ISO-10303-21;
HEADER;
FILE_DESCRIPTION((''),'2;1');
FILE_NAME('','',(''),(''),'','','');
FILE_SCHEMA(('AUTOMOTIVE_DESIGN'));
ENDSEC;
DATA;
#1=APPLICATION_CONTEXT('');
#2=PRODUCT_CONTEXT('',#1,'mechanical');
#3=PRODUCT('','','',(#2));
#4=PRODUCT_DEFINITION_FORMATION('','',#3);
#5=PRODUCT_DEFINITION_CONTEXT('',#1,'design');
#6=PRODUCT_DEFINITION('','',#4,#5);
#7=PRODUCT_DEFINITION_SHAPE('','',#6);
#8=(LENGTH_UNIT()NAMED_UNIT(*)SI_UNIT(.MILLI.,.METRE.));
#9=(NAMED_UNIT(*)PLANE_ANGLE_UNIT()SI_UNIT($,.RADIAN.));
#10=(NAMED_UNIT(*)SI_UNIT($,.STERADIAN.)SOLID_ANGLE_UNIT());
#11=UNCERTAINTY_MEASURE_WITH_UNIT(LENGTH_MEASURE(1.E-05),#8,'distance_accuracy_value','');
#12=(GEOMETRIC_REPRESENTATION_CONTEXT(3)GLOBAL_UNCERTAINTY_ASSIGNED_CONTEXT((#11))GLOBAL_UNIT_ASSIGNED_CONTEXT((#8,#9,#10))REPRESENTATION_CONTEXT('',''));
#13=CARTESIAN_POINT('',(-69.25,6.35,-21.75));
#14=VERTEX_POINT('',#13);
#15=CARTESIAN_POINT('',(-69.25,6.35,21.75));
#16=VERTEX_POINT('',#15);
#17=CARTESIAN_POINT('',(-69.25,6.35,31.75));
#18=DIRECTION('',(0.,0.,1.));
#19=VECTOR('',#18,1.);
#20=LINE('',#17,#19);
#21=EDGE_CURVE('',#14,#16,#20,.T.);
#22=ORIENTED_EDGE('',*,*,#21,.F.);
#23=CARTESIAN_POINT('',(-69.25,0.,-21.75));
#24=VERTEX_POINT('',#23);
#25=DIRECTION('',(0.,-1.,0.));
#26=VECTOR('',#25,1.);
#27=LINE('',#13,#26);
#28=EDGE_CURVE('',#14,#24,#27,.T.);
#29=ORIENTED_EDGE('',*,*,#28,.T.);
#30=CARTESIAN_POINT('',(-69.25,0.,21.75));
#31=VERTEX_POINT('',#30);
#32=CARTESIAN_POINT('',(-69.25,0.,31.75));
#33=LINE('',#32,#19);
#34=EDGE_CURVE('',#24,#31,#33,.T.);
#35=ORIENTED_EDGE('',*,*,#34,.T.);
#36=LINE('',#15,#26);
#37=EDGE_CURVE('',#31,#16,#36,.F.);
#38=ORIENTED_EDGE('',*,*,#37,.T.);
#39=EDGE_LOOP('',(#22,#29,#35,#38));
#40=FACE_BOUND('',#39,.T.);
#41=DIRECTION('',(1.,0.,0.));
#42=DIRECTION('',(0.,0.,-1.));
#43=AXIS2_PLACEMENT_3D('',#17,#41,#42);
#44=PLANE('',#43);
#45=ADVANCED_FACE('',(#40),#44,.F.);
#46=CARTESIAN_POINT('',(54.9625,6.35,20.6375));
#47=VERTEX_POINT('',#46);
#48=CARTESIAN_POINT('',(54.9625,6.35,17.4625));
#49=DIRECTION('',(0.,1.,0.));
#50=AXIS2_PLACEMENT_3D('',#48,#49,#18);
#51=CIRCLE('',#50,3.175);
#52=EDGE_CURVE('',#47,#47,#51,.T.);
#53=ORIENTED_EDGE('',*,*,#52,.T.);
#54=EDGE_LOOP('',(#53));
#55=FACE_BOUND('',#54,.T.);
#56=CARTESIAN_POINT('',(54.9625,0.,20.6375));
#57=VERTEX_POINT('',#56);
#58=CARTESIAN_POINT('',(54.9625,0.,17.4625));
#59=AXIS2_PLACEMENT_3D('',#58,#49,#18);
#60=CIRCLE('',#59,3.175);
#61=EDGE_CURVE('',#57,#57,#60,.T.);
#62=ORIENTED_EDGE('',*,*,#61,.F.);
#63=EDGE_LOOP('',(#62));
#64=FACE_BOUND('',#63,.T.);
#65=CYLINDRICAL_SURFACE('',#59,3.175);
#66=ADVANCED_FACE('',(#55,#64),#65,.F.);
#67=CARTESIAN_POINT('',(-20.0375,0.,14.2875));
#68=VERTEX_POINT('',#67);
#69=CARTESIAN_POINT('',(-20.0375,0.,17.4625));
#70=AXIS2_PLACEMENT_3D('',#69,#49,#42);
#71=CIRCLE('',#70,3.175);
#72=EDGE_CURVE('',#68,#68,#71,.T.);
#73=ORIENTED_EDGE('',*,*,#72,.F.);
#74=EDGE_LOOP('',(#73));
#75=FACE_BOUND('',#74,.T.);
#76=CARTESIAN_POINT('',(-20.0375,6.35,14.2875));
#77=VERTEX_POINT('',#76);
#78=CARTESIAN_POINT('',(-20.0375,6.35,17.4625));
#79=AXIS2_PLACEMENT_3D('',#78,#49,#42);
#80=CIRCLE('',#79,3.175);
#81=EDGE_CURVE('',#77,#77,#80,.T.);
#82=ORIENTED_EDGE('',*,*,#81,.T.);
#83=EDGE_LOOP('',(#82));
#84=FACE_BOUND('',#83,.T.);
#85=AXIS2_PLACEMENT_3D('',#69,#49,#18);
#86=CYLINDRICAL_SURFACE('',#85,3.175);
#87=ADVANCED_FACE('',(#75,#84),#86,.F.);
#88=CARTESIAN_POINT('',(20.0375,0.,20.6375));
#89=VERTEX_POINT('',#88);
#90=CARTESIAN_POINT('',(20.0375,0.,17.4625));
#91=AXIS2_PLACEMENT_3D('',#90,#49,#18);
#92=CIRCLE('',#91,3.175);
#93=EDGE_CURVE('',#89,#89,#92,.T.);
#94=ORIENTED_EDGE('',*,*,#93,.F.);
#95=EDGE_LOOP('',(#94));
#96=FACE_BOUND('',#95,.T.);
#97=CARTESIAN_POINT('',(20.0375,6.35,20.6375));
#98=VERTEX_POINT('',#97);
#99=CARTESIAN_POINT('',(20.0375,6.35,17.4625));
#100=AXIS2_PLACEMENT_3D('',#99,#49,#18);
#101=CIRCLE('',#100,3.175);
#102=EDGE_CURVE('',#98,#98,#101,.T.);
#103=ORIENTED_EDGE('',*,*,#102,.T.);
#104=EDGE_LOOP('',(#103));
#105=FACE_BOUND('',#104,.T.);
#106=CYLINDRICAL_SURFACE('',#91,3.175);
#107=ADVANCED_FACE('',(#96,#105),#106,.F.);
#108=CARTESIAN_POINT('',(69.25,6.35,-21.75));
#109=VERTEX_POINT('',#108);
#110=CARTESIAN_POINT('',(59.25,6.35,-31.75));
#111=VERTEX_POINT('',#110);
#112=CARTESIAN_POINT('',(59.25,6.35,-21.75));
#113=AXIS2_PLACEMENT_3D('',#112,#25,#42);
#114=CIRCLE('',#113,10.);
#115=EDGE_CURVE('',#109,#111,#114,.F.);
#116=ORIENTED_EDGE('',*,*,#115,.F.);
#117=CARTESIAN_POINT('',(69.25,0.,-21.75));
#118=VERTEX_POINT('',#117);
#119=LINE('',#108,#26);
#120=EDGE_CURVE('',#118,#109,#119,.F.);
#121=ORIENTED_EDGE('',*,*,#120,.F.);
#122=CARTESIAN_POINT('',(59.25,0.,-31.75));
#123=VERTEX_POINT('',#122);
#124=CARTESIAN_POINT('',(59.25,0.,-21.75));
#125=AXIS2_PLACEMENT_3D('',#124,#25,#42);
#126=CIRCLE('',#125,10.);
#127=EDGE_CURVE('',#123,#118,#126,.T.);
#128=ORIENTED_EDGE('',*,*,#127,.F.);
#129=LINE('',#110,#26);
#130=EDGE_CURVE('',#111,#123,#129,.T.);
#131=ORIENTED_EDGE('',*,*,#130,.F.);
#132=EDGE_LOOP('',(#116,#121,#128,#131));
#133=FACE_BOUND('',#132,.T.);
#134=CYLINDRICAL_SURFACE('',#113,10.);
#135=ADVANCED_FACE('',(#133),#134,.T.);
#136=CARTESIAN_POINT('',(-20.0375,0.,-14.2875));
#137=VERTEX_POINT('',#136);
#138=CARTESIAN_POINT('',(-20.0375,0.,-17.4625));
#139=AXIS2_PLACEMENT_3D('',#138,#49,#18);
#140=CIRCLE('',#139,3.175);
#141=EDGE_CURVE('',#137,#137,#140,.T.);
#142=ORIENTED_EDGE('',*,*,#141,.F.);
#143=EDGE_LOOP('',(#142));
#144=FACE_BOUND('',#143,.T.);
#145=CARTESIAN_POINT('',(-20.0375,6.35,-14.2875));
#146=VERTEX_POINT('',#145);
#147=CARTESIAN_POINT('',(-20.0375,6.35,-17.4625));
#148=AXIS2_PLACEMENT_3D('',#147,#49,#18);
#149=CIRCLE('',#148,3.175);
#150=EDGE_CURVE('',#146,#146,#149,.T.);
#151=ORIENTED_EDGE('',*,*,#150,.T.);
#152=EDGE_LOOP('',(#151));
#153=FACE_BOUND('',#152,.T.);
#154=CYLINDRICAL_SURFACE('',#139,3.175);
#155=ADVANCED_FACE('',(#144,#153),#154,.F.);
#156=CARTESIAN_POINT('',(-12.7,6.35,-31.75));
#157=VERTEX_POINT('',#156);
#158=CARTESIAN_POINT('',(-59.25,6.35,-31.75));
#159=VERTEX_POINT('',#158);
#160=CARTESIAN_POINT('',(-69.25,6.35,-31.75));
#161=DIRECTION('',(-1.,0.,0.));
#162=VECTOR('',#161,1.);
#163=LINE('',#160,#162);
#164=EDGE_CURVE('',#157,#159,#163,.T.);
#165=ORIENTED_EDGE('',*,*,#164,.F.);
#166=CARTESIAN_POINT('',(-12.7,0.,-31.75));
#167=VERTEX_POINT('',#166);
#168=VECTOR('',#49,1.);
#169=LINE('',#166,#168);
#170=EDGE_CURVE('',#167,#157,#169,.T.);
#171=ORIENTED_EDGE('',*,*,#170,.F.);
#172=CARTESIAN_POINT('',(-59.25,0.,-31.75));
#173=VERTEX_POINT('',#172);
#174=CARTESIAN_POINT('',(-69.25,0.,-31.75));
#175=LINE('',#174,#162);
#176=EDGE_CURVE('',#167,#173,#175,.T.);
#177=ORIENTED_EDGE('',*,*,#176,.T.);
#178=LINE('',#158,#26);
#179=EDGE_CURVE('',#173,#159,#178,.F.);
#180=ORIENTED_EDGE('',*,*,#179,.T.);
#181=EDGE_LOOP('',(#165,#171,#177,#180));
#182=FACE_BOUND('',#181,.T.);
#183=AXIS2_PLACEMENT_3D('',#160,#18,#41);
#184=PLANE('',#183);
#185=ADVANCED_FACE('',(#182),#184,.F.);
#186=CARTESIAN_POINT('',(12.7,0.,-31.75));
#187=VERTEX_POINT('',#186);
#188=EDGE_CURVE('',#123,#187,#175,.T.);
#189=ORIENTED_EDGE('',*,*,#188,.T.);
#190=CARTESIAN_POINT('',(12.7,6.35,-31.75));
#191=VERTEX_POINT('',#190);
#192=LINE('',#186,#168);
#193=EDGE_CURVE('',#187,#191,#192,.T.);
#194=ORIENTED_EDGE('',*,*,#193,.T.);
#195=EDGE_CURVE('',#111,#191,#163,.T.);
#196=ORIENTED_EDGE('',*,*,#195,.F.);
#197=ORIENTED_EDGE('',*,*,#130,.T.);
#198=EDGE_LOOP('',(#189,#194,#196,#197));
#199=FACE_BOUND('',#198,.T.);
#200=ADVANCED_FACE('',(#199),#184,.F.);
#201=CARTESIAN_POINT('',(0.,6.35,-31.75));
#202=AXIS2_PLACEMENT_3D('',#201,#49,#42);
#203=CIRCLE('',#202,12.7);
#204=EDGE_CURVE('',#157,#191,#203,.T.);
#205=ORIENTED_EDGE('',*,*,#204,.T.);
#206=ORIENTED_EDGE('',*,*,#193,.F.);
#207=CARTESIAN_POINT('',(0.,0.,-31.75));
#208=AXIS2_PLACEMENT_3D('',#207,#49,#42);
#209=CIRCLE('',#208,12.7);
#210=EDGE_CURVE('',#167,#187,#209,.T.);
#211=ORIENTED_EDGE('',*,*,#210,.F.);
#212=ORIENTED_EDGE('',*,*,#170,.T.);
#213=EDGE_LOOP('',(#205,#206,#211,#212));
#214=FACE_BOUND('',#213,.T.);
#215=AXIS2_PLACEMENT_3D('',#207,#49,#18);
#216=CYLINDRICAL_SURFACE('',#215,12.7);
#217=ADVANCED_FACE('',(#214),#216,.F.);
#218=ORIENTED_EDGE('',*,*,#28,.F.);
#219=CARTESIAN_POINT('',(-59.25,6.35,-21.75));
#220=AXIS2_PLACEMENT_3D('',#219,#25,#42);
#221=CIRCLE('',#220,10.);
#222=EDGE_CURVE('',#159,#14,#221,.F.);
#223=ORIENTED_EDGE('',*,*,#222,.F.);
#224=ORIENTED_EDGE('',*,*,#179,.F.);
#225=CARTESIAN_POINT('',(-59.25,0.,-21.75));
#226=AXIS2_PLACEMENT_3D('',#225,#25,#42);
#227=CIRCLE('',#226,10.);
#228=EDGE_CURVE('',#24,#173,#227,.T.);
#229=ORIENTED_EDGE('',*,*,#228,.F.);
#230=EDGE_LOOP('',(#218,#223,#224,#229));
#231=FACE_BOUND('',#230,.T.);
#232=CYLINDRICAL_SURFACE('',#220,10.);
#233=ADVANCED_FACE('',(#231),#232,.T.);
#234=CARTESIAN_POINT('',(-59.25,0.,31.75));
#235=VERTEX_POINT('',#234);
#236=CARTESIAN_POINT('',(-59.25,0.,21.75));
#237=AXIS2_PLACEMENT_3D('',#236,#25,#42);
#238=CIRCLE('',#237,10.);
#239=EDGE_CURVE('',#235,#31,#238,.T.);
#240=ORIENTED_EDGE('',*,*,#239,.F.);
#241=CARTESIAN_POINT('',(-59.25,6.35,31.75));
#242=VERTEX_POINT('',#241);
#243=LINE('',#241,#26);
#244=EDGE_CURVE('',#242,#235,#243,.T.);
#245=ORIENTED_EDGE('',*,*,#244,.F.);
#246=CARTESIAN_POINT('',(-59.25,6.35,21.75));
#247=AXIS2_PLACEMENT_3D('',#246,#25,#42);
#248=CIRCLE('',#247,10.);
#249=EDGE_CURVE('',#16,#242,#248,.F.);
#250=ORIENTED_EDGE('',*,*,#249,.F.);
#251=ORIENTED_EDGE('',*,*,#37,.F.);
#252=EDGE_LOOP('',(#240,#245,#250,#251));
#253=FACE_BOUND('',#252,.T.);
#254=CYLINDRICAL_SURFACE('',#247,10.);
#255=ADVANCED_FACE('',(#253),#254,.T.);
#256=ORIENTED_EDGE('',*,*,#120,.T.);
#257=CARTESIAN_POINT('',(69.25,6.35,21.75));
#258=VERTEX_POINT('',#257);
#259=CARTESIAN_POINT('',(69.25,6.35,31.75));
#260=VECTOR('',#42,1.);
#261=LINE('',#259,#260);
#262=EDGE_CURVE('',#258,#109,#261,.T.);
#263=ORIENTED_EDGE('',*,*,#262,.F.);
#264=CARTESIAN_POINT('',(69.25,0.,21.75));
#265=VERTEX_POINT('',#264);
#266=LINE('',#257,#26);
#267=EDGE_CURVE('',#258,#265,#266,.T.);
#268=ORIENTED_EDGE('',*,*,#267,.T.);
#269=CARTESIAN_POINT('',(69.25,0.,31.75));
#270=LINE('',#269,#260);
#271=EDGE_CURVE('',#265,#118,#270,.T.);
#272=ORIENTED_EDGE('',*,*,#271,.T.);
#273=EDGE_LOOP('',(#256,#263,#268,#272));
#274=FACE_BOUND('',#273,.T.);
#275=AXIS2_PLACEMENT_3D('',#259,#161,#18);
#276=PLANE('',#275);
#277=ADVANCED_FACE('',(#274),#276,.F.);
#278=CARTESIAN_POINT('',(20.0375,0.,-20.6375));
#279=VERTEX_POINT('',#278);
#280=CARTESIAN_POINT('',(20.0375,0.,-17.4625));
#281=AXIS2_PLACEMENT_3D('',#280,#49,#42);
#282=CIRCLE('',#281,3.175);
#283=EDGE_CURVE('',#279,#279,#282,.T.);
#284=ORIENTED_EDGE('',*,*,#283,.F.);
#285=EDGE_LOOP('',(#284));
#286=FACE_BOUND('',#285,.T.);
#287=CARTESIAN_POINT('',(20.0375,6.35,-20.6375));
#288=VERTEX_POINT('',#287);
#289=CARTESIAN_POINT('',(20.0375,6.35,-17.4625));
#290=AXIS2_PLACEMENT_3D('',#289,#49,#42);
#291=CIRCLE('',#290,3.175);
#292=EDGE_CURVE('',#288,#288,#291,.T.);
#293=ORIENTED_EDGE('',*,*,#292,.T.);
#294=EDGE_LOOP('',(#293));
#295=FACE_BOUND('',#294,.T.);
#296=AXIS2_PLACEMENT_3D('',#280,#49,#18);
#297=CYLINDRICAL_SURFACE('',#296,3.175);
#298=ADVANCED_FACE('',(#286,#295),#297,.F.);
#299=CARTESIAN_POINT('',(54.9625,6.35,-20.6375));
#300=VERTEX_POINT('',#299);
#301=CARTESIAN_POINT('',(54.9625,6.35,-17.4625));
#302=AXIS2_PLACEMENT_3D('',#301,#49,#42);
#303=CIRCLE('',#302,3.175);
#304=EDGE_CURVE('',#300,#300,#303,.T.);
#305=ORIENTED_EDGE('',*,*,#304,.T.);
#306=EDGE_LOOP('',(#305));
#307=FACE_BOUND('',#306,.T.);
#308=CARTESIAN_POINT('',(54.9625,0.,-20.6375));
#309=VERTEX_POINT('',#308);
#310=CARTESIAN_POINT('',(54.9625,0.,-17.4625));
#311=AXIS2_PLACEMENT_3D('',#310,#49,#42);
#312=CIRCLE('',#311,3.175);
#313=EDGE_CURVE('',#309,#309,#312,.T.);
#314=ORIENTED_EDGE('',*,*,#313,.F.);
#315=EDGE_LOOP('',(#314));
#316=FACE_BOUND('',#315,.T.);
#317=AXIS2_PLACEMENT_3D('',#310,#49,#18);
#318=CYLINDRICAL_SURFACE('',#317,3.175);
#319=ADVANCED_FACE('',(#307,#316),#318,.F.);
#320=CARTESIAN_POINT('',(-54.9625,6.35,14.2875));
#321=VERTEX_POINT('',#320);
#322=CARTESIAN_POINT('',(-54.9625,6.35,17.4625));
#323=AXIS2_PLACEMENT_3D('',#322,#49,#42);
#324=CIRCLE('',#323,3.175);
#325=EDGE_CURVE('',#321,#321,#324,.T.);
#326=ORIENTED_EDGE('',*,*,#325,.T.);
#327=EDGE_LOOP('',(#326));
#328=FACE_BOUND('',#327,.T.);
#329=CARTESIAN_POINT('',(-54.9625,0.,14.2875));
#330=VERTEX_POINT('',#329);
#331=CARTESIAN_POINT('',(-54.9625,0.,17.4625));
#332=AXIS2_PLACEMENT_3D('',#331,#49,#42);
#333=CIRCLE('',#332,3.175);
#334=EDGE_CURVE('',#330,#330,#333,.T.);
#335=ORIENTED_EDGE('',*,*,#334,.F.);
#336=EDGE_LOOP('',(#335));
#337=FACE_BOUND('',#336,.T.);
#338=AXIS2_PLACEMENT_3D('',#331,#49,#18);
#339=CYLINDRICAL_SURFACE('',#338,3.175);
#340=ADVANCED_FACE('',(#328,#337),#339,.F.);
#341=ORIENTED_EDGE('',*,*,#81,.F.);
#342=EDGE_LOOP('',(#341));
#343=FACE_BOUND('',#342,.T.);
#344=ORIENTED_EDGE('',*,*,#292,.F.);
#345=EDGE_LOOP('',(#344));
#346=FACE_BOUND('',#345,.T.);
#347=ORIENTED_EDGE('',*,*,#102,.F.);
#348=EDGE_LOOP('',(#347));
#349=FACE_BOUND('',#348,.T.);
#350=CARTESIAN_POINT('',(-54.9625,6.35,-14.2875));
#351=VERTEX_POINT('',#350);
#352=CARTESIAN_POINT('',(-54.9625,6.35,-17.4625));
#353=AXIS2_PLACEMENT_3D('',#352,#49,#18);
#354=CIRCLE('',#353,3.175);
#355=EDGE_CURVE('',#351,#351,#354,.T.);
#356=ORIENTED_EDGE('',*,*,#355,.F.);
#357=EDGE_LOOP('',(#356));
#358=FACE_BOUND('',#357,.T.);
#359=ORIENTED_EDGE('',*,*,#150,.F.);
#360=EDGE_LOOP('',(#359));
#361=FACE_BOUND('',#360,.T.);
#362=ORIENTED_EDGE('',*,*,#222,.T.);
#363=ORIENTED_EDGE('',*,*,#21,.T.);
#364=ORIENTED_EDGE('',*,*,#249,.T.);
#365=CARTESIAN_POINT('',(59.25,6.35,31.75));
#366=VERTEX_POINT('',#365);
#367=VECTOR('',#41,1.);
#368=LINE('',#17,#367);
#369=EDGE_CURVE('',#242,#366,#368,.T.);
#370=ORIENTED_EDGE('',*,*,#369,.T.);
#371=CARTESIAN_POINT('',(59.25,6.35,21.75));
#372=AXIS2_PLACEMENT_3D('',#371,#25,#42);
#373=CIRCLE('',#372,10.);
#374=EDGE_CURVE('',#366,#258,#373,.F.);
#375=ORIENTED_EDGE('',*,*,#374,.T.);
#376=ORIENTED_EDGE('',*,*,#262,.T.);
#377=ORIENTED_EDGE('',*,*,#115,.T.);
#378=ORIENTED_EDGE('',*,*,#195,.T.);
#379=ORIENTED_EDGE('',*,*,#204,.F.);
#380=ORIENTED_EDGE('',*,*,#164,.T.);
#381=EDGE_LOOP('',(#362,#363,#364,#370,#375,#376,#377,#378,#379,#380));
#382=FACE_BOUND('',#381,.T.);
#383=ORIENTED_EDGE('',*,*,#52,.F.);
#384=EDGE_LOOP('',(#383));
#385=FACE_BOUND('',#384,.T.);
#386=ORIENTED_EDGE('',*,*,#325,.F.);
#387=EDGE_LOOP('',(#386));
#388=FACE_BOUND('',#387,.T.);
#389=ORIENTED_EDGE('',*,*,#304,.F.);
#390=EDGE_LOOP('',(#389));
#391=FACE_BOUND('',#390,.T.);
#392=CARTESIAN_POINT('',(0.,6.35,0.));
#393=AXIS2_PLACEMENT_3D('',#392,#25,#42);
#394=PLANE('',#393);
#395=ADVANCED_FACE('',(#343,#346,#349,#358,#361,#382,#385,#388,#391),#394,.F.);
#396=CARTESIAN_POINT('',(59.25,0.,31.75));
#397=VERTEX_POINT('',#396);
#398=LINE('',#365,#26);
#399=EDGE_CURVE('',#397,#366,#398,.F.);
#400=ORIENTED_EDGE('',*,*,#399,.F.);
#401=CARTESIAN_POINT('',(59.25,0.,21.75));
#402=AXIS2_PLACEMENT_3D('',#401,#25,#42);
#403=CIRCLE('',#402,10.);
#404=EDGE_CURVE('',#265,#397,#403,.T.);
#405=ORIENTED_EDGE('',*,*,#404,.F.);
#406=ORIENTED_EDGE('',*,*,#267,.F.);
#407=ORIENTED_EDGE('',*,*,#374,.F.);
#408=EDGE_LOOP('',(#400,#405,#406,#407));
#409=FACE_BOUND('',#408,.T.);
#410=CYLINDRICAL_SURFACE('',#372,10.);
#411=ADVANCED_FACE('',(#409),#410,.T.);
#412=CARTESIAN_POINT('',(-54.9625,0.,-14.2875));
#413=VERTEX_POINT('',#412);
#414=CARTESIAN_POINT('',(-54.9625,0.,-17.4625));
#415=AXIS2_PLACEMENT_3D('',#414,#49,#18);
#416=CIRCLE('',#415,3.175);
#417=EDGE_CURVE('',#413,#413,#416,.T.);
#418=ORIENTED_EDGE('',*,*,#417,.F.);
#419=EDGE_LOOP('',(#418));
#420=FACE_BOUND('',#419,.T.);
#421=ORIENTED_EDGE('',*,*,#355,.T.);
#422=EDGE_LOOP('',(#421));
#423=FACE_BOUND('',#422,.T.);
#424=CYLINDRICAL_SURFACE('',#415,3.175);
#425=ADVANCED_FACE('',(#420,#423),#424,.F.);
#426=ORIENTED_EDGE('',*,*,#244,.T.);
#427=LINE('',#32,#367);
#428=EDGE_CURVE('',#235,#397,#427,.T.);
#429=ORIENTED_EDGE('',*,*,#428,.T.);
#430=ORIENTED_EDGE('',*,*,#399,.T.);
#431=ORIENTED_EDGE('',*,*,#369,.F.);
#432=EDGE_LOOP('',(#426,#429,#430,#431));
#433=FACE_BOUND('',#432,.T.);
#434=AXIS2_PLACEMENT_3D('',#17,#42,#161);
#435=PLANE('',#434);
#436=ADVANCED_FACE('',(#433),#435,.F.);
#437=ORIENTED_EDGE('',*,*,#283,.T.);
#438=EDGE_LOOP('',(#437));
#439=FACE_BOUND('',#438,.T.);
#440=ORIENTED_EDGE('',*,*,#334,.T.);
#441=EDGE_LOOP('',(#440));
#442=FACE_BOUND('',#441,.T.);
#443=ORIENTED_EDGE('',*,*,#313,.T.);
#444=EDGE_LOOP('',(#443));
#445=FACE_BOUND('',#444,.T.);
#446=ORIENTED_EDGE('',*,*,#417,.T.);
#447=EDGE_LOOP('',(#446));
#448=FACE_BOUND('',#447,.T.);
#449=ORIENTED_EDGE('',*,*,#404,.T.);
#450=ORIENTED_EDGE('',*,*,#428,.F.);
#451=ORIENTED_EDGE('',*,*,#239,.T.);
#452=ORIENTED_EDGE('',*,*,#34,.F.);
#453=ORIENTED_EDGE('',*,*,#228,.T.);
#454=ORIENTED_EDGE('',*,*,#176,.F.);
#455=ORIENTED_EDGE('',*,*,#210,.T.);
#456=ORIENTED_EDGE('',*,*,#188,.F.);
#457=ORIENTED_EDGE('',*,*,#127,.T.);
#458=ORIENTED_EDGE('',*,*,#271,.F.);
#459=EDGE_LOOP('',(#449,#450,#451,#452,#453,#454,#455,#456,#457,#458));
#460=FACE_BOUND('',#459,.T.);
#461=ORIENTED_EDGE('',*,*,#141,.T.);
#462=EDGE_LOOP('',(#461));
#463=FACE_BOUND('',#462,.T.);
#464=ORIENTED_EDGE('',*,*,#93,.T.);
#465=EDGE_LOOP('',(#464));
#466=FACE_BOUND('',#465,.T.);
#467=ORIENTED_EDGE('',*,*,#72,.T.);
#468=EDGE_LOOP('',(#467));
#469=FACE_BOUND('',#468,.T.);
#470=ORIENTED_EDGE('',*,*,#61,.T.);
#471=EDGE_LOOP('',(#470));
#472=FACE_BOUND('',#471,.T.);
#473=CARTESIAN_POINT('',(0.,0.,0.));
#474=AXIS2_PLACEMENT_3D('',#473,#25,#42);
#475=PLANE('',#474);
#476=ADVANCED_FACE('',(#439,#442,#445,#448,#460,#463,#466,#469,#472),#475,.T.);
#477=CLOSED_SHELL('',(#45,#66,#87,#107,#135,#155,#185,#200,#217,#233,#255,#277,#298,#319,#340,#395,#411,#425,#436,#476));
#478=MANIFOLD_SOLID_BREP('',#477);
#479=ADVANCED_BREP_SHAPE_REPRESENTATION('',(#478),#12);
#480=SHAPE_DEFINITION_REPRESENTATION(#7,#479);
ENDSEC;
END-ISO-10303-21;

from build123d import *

# Parameters (mm, degrees)
SKETCH1_W           = 138.5
SKETCH1_H           = 63.5
BOSS_EXTRUDE1_DEPTH = 6.35
SKETCH2_R           = 3.175
CUT_EXTRUDE1_DEPTH  = 6.35
FILLET1_R           = 10
CUT_EXTRUDE4_DEPTH  = 6.35


with BuildPart() as part:
    # Sketch1 → Boss-Extrude1 (new body)
    with BuildSketch(Plane(origin=(0, 0, 0), x_dir=(1, 0, 0), z_dir=(0, 1, 0))):
        Rectangle(SKETCH1_W, SKETCH1_H)
    extrude(amount=BOSS_EXTRUDE1_DEPTH)

    # Sketch2 → Cut-Extrude1 (cut)
    with BuildSketch(Plane(origin=(0, 6.35, 0), x_dir=(1, 0, 0), z_dir=(0, 1, 0))):
        with Locations((-54.9625, 17.4625)):
            Circle(SKETCH2_R)
        with Locations((-20.0375, 17.4625)):
            Circle(SKETCH2_R)
        with Locations((20.0375, 17.4625)):
            Circle(SKETCH2_R)
        with Locations((54.9625, 17.4625)):
            Circle(SKETCH2_R)
        with Locations((54.9625, -17.4625)):
            Circle(SKETCH2_R)
        with Locations((20.0375, -17.4625)):
            Circle(SKETCH2_R)
        with Locations((-20.0375, -17.4625)):
            Circle(SKETCH2_R)
        with Locations((-54.9625, -17.4625)):
            Circle(SKETCH2_R)
    extrude(amount=-CUT_EXTRUDE1_DEPTH, mode=Mode.SUBTRACT)

    # Fillet1
    fillet1_edges = [part.edges().sort_by_distance(p)[0] for p in [
        (69.25, 3.175, 31.75),
        (-69.25, 3.175, 31.75),
        (-69.25, 3.175, -31.75),
        (69.25, 3.175, -31.75),
    ]]
    fillet(fillet1_edges, radius=FILLET1_R)

    # Sketch3 → Cut-Extrude4 (cut)
    with BuildSketch(Plane(origin=(0, 6.35, 0), x_dir=(1, 0, 0), z_dir=(0, 1, 0))):
        with BuildLine():
            Line((-12.7, 31.75), (12.7, 31.75))
            ThreePointArc((12.7, 31.75), (0, 19.05), (-12.7, 31.75))
        make_face()
    extrude(amount=-CUT_EXTRUDE4_DEPTH, mode=Mode.SUBTRACT)


solid = part.part
